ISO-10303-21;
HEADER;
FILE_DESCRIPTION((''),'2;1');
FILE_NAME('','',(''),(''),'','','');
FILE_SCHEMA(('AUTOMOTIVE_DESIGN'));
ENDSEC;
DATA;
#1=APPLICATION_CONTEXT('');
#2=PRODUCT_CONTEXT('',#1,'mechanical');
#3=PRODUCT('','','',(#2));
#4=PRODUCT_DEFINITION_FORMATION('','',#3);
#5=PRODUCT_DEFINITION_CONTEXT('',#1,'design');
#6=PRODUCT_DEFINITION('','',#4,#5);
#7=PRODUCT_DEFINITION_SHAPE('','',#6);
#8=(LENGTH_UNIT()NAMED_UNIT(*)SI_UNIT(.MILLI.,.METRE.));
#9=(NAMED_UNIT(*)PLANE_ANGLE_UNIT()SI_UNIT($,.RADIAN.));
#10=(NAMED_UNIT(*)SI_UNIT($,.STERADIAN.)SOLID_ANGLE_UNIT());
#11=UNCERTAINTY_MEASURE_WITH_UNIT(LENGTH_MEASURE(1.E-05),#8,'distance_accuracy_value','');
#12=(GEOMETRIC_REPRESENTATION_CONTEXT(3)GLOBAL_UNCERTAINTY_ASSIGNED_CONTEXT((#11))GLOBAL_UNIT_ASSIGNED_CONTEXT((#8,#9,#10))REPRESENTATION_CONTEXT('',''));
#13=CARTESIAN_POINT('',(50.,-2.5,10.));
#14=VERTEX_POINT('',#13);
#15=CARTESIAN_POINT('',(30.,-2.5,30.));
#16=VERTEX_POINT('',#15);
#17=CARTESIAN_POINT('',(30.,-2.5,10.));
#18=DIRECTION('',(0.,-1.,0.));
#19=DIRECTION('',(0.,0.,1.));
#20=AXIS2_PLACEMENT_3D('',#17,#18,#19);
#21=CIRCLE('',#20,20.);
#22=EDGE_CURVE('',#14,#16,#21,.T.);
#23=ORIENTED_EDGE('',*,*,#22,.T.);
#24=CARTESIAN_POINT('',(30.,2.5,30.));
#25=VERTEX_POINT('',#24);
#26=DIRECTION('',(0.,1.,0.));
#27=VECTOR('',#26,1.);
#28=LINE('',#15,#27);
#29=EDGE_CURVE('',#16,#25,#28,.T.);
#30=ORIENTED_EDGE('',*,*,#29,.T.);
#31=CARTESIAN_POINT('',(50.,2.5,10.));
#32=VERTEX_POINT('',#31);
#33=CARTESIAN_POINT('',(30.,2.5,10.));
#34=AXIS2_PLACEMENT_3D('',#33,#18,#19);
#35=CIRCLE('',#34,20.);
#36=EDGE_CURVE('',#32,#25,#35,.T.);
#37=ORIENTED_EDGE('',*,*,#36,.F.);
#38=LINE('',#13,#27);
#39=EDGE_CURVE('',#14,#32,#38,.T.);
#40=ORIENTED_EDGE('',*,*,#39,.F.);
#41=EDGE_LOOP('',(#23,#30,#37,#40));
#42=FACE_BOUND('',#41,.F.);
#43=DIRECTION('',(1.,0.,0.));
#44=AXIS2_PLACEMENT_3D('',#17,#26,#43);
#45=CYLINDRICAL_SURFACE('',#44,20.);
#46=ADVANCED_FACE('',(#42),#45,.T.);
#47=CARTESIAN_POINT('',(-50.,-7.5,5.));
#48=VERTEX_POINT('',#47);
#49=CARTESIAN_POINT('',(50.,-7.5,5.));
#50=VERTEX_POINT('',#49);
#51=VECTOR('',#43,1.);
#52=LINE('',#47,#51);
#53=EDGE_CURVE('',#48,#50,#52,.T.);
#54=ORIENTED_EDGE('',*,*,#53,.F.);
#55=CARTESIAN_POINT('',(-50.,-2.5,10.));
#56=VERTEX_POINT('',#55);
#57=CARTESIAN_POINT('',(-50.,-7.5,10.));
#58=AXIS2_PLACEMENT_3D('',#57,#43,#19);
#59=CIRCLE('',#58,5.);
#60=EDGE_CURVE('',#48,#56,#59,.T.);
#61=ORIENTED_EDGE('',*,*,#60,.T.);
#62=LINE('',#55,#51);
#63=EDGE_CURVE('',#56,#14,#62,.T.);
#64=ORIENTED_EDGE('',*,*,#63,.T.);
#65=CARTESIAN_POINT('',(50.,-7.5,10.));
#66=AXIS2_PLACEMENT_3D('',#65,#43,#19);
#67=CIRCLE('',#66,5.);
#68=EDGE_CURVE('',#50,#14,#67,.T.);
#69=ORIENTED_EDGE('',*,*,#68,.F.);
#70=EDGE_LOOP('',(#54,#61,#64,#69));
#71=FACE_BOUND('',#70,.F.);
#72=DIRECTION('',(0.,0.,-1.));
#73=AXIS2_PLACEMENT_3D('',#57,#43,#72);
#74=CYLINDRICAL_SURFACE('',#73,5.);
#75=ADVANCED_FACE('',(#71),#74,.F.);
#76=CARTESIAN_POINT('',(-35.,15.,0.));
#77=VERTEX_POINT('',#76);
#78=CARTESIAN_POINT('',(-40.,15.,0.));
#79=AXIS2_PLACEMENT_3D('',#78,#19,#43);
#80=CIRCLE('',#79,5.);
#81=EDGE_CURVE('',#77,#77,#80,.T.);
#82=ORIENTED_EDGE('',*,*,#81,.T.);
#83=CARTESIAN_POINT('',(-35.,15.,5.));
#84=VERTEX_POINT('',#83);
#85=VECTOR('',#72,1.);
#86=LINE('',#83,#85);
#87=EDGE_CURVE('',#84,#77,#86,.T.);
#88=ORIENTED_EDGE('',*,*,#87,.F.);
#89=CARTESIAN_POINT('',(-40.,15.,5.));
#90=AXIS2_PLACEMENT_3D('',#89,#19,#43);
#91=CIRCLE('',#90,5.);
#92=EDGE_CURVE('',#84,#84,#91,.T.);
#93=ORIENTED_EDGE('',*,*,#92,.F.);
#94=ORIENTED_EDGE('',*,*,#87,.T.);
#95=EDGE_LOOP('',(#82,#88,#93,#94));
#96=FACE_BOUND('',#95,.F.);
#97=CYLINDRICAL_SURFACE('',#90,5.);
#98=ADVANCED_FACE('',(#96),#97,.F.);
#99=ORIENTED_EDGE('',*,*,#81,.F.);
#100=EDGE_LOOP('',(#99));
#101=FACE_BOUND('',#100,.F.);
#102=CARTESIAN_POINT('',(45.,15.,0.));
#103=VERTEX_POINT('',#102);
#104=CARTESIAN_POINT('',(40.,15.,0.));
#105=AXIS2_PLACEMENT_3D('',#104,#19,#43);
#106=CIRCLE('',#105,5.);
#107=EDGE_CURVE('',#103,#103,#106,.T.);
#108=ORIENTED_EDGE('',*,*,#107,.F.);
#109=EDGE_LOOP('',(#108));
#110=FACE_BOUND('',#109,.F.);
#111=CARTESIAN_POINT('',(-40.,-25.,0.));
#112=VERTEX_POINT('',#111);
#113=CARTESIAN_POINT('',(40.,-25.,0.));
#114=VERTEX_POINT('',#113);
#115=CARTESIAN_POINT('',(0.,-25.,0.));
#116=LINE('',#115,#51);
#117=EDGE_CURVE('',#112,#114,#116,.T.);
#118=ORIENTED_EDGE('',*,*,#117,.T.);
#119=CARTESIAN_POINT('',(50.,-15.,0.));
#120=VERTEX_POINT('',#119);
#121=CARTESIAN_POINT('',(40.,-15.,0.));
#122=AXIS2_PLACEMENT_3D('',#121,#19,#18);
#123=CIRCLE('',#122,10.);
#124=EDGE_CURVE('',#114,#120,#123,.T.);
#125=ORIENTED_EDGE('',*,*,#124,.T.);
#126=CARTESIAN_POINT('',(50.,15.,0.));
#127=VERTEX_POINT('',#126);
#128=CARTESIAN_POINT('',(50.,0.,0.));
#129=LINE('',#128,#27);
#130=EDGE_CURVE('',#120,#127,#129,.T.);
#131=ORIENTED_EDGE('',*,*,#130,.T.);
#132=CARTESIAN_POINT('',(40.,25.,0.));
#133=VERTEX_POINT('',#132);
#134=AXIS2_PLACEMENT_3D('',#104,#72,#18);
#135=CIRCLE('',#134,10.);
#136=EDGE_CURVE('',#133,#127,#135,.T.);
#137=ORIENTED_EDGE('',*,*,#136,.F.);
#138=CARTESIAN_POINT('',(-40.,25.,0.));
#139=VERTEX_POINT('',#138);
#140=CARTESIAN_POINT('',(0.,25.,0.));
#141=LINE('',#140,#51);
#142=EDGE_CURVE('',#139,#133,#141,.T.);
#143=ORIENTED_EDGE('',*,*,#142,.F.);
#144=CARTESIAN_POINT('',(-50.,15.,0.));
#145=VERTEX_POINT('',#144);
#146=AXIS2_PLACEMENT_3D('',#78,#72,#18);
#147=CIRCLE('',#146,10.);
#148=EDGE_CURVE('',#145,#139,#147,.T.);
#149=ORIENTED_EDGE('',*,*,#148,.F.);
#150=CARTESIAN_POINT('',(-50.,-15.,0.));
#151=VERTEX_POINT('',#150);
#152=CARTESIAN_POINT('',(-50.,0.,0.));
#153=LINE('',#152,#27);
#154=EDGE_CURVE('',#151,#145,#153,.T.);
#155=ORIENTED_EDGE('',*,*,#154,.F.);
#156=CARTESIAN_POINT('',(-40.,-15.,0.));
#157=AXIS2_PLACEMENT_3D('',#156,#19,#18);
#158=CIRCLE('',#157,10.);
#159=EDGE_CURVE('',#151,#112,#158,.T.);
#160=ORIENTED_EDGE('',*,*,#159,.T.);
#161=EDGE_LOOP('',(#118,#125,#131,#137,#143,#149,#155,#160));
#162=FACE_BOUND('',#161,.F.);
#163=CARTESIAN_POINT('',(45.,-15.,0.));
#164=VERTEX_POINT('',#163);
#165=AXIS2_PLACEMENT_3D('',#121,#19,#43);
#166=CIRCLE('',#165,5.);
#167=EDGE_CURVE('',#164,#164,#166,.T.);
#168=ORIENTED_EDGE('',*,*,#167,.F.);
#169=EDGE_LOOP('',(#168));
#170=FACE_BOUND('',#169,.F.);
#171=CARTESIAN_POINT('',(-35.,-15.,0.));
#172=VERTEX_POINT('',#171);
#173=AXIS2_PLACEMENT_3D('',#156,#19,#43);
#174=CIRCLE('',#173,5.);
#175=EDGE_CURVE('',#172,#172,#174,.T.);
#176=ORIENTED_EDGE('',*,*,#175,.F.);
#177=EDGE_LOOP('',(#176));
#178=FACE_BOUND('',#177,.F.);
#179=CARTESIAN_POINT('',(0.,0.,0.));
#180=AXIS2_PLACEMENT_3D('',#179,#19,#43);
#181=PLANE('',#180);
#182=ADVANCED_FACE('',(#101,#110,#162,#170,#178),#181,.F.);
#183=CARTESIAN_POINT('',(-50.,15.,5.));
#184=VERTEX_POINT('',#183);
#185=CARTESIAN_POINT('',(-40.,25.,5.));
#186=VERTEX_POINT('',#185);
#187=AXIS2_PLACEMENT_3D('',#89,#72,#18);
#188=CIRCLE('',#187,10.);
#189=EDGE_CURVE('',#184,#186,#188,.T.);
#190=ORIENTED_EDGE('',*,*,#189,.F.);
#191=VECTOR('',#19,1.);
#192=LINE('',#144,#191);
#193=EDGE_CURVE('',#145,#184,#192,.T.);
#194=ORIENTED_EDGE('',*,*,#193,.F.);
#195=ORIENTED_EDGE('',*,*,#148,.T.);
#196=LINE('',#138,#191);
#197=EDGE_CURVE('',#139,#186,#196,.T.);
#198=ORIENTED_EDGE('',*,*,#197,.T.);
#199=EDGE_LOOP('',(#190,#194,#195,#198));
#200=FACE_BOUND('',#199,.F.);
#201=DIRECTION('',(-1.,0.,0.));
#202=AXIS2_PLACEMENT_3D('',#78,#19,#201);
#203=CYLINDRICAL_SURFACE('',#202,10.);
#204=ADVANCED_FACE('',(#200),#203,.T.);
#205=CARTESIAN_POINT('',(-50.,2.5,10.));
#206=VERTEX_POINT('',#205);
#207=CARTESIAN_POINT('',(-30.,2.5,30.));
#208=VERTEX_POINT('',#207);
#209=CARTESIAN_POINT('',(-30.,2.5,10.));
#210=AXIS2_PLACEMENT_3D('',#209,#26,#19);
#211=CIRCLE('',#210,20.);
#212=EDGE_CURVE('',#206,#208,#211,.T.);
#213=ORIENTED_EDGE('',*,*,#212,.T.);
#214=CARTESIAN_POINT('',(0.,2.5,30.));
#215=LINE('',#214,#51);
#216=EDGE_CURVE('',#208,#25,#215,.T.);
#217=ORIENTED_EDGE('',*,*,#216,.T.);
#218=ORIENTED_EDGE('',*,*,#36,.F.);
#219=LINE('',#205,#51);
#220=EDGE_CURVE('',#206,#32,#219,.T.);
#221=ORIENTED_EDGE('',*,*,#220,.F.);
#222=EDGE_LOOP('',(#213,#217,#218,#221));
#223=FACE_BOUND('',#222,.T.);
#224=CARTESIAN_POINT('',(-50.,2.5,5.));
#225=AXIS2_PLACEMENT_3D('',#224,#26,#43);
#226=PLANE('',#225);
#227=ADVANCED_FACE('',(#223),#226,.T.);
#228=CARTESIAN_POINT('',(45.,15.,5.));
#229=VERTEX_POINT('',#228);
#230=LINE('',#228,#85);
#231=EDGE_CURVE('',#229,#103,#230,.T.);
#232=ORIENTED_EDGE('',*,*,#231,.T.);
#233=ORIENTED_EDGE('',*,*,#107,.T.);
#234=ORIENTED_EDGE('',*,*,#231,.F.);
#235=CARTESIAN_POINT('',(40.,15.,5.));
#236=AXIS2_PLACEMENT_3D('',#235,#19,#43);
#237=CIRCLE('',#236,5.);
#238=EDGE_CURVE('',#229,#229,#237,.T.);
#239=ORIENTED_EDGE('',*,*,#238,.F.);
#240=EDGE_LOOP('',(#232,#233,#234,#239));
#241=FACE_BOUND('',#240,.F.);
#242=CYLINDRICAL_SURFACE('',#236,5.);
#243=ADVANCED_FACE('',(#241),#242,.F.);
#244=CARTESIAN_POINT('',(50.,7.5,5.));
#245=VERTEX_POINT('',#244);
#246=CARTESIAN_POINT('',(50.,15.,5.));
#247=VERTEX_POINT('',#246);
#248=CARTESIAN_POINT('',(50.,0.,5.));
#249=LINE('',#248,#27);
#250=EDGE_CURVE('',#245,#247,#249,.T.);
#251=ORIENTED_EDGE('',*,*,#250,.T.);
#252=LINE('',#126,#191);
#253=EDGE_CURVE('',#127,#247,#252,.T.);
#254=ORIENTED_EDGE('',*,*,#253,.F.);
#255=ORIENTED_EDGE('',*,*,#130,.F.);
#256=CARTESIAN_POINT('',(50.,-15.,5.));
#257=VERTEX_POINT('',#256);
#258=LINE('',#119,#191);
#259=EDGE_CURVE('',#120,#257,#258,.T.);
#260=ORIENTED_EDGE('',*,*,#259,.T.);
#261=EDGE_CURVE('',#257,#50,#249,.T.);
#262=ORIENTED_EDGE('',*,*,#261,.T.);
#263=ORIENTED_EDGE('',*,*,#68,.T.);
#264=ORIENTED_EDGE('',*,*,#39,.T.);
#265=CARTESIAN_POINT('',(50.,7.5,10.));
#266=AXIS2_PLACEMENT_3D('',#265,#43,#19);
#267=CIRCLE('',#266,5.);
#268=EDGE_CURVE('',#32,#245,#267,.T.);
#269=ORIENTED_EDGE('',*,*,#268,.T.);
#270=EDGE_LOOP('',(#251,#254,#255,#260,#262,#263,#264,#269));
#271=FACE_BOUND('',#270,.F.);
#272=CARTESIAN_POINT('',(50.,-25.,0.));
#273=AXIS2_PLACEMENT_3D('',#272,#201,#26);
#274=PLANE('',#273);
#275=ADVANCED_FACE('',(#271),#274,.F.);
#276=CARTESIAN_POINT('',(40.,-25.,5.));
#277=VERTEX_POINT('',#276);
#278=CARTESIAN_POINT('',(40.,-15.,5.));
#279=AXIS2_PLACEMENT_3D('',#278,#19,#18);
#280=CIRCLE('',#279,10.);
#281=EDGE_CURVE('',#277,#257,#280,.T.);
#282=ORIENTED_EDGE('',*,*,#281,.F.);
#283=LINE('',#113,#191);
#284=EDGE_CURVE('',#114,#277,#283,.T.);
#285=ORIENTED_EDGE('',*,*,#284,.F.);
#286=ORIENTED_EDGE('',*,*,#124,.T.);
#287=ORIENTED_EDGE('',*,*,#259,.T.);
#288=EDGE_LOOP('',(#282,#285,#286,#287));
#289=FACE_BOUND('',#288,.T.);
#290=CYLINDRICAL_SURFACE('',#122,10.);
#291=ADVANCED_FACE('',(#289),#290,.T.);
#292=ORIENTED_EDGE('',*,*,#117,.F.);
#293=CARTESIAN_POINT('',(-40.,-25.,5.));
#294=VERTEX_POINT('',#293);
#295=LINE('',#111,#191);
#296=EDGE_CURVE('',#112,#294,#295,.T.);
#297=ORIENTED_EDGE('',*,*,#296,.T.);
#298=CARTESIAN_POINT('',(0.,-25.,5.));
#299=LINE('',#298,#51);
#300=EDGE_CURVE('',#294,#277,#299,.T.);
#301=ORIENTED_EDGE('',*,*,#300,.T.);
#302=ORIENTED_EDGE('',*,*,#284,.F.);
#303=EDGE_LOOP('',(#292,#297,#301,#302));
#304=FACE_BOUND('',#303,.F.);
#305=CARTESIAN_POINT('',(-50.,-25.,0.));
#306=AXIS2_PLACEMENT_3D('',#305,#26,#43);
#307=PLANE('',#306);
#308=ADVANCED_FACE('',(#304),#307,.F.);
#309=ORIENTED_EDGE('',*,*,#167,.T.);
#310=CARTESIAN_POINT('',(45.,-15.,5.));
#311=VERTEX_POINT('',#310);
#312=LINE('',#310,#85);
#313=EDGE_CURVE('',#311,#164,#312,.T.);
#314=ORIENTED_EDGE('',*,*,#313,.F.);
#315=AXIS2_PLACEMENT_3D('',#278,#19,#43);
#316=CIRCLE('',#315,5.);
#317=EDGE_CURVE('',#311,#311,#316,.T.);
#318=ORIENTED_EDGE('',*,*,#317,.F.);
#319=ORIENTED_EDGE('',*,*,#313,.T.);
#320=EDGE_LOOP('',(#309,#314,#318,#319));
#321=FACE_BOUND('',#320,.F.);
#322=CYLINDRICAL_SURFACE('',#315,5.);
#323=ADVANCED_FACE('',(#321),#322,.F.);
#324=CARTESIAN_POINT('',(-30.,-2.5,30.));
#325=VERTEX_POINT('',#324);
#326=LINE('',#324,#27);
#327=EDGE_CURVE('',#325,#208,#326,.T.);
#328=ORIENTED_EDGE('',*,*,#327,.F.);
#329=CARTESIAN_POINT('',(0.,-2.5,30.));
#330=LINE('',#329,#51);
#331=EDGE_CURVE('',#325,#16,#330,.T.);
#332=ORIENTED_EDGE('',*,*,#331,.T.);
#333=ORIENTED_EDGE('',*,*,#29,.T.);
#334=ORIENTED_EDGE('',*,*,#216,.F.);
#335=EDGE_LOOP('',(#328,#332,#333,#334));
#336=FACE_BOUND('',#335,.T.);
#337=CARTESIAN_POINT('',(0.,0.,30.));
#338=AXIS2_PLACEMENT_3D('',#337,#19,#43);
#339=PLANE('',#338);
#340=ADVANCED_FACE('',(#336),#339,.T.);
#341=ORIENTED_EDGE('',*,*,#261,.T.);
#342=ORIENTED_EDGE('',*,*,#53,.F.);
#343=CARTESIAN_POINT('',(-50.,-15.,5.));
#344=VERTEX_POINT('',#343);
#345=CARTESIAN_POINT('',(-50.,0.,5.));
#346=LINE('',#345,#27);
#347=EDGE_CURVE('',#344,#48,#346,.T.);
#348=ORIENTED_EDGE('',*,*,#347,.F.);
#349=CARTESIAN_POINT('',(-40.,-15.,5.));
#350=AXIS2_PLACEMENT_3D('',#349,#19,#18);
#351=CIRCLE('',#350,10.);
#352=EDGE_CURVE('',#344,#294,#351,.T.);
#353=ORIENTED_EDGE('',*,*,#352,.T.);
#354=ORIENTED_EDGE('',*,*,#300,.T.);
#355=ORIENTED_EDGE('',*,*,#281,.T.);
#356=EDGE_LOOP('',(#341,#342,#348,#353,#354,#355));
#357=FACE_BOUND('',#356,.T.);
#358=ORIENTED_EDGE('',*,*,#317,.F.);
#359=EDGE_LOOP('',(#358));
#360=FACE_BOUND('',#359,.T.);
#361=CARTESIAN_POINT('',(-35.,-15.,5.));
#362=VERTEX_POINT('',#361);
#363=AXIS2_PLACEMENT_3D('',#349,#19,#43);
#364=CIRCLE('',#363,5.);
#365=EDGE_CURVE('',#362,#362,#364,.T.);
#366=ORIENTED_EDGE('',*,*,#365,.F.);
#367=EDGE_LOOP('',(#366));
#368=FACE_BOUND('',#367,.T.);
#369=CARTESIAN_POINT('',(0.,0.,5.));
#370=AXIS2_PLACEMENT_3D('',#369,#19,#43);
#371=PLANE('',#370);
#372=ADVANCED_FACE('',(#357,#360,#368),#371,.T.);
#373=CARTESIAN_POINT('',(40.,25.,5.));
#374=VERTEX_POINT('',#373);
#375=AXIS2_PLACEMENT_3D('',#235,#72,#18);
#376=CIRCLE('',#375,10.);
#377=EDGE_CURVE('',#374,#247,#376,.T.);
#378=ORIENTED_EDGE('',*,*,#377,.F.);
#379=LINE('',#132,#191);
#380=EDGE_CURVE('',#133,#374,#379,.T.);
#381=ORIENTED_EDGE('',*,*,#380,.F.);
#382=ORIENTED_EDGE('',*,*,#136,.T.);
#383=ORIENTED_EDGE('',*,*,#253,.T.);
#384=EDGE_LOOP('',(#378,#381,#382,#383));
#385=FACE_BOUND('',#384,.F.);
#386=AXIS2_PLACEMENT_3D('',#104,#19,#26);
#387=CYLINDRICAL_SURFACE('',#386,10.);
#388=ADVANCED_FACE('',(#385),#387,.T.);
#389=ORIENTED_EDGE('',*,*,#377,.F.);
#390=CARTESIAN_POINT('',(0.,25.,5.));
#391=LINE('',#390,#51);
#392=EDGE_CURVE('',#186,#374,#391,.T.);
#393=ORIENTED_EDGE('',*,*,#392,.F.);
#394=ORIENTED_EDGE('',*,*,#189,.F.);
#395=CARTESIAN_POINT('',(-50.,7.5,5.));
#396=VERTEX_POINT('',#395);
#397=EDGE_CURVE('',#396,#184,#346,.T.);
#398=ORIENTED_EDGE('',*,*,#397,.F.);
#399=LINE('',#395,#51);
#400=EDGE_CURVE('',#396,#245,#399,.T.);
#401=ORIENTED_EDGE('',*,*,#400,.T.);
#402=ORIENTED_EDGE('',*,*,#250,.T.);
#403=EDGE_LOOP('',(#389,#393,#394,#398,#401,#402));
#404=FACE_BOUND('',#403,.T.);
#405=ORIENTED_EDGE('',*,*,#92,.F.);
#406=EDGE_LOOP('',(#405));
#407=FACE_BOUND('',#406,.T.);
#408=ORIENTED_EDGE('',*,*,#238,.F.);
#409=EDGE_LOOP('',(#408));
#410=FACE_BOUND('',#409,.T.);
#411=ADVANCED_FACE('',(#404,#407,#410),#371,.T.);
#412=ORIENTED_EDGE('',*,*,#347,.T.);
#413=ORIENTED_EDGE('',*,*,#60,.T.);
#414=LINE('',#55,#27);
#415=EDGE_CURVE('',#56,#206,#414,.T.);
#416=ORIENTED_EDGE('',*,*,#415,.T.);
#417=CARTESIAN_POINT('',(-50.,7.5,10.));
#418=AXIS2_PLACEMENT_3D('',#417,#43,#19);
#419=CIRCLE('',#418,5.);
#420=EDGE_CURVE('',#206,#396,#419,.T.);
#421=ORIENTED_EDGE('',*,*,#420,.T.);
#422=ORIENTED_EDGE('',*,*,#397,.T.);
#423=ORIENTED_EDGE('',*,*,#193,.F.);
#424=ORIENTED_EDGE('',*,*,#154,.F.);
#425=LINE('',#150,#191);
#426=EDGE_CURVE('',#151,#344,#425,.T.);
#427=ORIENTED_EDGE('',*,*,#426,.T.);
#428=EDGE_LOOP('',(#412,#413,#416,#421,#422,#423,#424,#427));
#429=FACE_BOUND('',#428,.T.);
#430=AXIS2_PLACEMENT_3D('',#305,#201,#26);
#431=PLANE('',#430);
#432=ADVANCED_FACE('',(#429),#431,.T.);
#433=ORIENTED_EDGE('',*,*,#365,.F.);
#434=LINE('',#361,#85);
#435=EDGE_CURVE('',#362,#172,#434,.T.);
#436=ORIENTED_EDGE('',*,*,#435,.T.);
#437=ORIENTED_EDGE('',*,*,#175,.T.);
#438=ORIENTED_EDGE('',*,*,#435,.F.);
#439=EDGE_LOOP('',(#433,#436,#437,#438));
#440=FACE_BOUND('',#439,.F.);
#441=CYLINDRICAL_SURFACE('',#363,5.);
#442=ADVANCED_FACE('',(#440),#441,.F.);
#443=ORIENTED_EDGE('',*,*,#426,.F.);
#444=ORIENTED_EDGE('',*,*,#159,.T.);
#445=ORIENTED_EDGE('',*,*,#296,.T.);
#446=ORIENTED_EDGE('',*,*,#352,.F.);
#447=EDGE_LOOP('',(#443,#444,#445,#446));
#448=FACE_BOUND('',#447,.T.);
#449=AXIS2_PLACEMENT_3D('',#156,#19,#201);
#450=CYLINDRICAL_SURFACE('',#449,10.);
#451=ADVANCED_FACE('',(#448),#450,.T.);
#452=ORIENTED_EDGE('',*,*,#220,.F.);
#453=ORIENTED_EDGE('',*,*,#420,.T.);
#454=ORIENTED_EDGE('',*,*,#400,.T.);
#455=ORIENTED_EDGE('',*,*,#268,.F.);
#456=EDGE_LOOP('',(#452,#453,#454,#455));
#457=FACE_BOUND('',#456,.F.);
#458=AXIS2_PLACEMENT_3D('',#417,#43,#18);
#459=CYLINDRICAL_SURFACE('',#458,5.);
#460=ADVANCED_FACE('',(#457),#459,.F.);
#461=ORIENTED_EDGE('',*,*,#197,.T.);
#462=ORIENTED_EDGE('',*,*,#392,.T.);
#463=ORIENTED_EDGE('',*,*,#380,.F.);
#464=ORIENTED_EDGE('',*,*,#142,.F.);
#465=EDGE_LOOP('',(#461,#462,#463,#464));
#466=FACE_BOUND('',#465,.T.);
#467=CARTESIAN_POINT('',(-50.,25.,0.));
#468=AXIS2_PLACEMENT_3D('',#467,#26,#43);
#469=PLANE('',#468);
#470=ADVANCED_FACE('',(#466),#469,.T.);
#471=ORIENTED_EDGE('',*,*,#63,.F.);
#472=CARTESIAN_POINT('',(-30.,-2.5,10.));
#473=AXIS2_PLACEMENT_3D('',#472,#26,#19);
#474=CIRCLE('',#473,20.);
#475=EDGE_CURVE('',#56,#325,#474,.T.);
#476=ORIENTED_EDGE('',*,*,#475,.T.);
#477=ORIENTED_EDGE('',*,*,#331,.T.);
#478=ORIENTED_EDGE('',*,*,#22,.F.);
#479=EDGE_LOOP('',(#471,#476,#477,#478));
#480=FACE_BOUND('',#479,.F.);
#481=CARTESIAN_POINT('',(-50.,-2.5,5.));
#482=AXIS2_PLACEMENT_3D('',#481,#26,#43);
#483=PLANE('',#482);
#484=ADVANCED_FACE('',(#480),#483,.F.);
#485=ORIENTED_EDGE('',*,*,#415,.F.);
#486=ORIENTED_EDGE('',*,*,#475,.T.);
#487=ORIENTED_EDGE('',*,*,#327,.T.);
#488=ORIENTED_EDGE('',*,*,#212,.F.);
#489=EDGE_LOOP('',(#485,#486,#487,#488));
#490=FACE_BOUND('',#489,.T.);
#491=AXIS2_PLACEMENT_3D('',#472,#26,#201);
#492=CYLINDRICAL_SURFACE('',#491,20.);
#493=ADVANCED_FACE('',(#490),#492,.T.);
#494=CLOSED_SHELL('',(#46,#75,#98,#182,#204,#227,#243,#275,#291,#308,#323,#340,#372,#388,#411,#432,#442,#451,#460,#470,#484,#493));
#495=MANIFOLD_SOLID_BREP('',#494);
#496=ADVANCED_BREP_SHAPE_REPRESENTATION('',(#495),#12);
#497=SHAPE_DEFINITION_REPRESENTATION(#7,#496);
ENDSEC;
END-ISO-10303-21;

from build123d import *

# Parameters (mm, degrees)
SKETCH_W     = 100
SKETCH_H     = 50
PAD_DEPTH    = 5
SKETCH001_R  = 5
POCKET_DEPTH = 5
SKETCH002_W  = 100
SKETCH002_H  = 5
PAD001_DEPTH = 25
FILLET_R     = 20
FILLET001_R  = 10
FILLET002_R  = 5


with BuildPart() as part:
    # Sketch → Pad (new body)
    with BuildSketch(Plane.XY):
        Rectangle(SKETCH_W, SKETCH_H)
    extrude(amount=PAD_DEPTH)

    # Sketch001 (on Face6 of Pad) → Pocket (cut)
    with BuildSketch(Plane.XY.offset(5)):
        with Locations((40, 15)):
            Circle(SKETCH001_R)
        with Locations((40, -15)):
            Circle(SKETCH001_R)
        with Locations((-40, 15)):
            Circle(SKETCH001_R)
        with Locations((-40, -15)):
            Circle(SKETCH001_R)
    extrude(amount=-POCKET_DEPTH, mode=Mode.SUBTRACT)

    # Sketch002 (on Face5 of Pocket) → Pad001 (join)
    with BuildSketch(Plane.XY.offset(5)):
        Rectangle(SKETCH002_W, SKETCH002_H)
    extrude(amount=PAD001_DEPTH)

    # Fillet
    fillet_edges = [part.edges().sort_by_distance(p)[0] for p in [
        (50, 0, 30),
        (-50, 0, 30),
    ]]
    fillet(fillet_edges, radius=FILLET_R)

    # Fillet001
    fillet001_edges = [part.edges().sort_by_distance(p)[0] for p in [
        (50, -25, 2.5),
        (-50, -25, 2.5),
        (-50, 25, 2.5),
        (50, 25, 2.5),
    ]]
    fillet(fillet001_edges, radius=FILLET001_R)

    # Fillet002
    fillet002_edges = [part.edges().sort_by_distance(p)[0] for p in [
        (0, -2.5, 5),
        (0, 2.5, 5),
    ]]
    fillet(fillet002_edges, radius=FILLET002_R)


solid = part.part
